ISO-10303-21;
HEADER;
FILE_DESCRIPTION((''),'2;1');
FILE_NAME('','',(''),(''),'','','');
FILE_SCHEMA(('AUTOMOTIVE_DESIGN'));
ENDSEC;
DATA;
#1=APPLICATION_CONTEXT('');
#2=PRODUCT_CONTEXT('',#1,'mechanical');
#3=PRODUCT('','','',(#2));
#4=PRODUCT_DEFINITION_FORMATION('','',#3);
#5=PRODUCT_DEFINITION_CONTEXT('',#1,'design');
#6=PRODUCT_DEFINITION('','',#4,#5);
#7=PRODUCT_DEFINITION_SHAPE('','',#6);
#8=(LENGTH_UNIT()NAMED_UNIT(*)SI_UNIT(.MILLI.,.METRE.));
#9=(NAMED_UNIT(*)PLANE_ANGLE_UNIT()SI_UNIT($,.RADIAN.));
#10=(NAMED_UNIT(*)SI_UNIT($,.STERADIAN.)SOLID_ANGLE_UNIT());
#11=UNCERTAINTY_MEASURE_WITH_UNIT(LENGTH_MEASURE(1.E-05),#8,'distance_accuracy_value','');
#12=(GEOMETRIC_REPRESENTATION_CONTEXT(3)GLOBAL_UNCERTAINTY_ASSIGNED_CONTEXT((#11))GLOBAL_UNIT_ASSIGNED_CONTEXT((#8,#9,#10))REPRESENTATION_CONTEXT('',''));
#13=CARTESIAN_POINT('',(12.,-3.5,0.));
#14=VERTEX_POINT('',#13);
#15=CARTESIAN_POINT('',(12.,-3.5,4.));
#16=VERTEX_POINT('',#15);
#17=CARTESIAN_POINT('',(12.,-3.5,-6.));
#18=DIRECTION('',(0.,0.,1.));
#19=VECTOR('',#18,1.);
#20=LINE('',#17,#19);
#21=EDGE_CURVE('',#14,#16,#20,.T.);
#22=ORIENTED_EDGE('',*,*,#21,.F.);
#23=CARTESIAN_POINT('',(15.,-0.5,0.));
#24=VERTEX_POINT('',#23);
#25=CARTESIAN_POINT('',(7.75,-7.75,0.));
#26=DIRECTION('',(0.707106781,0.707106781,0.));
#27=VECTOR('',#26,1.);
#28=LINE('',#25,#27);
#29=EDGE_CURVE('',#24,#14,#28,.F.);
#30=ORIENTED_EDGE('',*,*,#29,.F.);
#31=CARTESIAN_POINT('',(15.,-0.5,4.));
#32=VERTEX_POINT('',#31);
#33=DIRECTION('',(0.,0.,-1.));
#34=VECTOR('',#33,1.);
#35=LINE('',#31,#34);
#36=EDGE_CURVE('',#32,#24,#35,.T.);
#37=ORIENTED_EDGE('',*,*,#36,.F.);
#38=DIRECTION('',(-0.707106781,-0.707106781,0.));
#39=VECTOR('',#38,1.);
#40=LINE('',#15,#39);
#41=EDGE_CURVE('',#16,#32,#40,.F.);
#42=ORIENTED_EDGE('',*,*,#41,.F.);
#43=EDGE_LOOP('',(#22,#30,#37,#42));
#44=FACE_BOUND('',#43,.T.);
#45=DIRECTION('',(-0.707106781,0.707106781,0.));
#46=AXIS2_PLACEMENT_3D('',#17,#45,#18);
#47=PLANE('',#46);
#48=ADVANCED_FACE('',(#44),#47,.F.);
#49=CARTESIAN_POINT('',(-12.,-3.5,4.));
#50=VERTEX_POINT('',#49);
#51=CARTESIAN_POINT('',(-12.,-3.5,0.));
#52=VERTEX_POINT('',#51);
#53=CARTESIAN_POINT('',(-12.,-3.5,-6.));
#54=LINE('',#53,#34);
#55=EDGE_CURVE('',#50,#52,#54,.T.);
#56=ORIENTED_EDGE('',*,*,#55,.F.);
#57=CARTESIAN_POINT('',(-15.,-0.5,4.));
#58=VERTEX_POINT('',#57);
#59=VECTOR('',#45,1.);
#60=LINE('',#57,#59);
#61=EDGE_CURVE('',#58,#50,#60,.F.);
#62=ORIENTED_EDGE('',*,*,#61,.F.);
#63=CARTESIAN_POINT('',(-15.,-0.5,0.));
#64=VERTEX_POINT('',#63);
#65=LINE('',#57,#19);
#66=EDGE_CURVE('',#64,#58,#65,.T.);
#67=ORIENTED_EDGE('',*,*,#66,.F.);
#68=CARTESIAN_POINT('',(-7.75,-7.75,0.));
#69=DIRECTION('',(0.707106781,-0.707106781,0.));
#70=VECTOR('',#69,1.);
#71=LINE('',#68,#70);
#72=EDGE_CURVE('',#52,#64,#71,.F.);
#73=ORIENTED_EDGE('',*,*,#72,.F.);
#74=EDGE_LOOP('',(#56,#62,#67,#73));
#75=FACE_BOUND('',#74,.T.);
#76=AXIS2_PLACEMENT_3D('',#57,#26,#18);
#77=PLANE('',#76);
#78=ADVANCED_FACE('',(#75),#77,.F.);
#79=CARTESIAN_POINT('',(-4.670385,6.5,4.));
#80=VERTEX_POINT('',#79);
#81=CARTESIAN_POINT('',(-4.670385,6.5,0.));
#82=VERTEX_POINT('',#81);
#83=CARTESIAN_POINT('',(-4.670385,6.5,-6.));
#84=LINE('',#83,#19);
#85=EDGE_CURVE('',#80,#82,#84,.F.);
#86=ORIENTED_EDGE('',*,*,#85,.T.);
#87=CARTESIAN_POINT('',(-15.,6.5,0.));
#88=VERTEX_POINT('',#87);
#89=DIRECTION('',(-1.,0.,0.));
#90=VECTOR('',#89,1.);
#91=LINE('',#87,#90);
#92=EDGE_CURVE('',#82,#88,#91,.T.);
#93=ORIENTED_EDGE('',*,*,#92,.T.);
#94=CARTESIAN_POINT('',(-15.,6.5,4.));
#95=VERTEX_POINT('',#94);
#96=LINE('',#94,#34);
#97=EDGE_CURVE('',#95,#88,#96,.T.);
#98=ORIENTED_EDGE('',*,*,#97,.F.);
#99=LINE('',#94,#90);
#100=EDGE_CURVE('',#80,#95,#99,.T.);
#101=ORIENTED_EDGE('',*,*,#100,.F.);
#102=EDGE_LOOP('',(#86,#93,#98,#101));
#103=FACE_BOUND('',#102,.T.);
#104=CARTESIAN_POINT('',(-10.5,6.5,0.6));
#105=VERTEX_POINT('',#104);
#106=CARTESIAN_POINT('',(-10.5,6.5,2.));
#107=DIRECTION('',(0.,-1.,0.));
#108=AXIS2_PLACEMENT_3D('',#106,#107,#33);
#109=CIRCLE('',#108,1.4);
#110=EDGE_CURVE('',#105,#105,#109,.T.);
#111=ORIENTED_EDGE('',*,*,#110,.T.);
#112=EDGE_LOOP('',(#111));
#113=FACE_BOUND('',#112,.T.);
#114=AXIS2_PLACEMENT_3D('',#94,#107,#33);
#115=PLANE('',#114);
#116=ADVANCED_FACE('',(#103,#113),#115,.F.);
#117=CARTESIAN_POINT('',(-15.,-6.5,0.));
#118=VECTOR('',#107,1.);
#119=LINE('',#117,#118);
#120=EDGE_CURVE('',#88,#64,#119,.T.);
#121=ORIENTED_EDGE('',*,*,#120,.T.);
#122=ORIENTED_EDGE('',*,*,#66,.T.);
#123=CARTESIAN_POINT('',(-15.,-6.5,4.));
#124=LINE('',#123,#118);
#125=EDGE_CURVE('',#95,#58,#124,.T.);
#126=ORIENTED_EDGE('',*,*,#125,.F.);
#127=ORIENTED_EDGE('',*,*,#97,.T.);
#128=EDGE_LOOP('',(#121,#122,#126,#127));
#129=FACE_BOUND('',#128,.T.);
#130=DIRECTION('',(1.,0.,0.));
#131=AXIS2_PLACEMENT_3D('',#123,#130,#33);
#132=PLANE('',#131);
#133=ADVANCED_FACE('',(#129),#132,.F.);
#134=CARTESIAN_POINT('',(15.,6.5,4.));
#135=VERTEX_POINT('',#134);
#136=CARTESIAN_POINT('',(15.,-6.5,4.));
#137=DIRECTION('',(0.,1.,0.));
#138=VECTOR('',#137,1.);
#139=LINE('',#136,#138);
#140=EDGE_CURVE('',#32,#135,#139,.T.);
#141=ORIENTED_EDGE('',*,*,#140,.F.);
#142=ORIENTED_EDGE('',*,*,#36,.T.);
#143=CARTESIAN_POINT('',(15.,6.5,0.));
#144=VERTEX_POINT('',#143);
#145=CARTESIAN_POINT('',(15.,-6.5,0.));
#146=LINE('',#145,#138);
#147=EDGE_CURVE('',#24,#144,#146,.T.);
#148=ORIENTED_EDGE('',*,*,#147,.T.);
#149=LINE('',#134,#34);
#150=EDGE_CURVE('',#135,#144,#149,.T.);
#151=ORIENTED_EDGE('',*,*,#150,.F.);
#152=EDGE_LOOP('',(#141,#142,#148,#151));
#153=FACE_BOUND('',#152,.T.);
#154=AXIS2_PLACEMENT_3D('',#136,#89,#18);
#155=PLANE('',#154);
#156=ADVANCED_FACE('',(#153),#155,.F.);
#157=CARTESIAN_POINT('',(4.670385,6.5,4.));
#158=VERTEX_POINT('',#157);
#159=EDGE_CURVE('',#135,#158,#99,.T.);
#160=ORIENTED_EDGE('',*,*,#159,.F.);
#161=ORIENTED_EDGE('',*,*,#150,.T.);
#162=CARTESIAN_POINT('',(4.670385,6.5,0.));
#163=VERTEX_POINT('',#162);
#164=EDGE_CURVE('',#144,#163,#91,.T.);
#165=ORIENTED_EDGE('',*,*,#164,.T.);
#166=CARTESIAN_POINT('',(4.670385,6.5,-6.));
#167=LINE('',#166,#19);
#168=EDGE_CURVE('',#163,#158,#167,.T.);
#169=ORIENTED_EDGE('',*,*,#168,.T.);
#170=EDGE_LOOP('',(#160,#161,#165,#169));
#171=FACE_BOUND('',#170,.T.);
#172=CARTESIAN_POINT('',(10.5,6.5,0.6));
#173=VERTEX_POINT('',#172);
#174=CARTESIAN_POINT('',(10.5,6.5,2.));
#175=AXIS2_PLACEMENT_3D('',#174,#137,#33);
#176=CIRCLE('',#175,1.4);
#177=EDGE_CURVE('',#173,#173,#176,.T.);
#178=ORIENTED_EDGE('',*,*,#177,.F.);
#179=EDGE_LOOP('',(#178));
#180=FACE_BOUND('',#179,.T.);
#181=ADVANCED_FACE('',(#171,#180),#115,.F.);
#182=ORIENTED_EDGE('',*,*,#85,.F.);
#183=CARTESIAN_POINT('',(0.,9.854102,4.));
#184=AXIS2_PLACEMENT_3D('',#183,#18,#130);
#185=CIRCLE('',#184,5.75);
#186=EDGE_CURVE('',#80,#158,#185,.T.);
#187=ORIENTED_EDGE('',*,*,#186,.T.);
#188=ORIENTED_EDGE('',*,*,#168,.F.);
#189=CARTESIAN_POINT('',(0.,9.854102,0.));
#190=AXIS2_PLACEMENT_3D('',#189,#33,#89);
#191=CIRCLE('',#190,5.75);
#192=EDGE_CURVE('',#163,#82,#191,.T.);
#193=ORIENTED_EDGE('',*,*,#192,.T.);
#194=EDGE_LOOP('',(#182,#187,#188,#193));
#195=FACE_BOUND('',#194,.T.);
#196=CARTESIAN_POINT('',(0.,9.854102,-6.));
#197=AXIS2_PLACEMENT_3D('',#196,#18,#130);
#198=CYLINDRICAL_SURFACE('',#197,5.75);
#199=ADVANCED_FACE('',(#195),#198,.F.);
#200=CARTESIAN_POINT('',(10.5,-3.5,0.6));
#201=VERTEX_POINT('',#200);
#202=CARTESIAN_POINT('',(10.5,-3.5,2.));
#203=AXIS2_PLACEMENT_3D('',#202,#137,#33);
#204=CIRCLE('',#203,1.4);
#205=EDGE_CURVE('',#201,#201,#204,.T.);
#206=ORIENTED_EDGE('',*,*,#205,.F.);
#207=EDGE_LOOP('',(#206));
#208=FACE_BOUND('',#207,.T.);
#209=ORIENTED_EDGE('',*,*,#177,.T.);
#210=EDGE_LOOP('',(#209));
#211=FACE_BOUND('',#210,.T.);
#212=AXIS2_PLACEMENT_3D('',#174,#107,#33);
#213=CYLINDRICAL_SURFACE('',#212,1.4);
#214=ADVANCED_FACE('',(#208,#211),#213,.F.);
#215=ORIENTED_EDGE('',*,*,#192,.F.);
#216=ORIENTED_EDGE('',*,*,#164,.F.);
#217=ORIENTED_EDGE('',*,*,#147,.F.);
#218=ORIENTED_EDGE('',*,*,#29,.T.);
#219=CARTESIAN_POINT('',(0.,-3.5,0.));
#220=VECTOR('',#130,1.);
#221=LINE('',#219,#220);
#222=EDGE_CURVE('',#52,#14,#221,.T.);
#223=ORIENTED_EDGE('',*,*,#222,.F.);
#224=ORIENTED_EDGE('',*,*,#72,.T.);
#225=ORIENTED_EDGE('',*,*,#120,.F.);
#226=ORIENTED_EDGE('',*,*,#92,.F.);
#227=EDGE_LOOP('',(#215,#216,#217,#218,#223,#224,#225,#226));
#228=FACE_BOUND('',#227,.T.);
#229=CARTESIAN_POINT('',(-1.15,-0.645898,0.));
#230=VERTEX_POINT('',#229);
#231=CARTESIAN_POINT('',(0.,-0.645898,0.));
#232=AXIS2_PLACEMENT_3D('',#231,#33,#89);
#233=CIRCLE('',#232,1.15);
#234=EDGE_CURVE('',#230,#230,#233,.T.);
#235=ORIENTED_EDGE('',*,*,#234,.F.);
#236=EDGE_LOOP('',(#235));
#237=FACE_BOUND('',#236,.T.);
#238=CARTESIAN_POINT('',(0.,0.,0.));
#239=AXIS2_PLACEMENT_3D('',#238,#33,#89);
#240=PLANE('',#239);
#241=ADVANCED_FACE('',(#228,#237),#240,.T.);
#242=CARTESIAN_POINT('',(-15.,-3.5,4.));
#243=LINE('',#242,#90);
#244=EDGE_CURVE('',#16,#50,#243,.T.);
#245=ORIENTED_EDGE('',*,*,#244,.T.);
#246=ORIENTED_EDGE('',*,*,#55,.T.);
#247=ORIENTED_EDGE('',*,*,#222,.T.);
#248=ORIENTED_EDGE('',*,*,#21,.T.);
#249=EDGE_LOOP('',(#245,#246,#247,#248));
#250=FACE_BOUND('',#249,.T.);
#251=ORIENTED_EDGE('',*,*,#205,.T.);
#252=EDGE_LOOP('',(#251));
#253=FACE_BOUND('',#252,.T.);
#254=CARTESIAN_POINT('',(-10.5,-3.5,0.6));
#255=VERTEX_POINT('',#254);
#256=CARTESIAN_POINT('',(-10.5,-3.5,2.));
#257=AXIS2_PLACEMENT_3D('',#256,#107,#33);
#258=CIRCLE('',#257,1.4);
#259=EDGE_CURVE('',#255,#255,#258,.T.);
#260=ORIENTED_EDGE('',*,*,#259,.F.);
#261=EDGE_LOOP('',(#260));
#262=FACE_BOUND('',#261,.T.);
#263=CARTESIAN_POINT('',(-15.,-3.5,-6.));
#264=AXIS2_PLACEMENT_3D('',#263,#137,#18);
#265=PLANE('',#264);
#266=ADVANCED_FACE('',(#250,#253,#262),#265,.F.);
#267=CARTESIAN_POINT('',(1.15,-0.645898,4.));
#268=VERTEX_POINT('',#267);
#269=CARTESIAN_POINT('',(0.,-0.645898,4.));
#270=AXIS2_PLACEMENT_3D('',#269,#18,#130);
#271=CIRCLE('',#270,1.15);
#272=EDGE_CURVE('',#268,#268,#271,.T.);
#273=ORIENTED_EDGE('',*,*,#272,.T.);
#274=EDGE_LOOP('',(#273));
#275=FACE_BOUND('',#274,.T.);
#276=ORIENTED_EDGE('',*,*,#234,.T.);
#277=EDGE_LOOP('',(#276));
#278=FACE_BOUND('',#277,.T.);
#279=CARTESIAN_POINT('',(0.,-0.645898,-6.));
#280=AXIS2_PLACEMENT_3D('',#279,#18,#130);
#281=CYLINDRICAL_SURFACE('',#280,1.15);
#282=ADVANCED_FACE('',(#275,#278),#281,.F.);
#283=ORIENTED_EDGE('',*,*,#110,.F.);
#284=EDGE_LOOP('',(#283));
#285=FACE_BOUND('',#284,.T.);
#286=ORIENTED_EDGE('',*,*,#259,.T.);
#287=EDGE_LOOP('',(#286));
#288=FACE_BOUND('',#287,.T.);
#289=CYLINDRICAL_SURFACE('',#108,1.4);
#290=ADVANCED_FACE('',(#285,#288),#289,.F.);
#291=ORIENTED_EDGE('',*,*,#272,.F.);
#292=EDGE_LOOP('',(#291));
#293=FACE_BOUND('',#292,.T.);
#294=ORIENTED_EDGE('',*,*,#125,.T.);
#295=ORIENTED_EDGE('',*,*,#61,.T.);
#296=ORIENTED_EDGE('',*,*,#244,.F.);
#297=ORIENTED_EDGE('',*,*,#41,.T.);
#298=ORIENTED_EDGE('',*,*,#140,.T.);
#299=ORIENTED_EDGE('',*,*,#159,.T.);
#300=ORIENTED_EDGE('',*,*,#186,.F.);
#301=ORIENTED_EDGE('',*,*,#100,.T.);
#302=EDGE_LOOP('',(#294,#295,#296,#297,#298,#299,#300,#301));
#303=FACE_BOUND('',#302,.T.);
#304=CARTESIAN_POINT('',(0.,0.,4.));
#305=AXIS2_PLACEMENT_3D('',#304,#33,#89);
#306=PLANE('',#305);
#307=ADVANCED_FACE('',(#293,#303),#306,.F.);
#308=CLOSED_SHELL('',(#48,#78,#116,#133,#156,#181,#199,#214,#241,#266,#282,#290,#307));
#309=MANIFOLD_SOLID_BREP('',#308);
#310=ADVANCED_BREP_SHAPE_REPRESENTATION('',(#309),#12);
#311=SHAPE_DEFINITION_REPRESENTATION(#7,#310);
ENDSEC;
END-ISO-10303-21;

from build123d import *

# Parameters (mm, degrees)
SKETCH_1_W          = 30
SKETCH_1_H          = 13
EXTRUDE_1_DEPTH     = 4
SKETCH_3_R          = 5.75
CUT_EXTRUDE_2_DEPTH = 10
SKETCH_7_W          = 30
SKETCH_7_H          = 3
CUT_EXTRUDE_3_DEPTH = 10
CHAMFER_1_SIZE      = 3
SKETCH_8_R          = 1.4
CUT_EXTRUDE_4_DEPTH = 19.466185313
SKETCH_5_R          = 1.15
CUT_EXTRUDE_5_DEPTH = 10


with BuildPart() as part:
    # 草图1 → 凸台-拉伸1 (new body)
    with BuildSketch(Plane.XY):
        Rectangle(SKETCH_1_W, SKETCH_1_H)
    extrude(amount=EXTRUDE_1_DEPTH)

    # 草图3 → 切除-拉伸2 (cut)
    with BuildSketch(Plane.XY.offset(4)):
        with Locations((0, 9.854101966)):
            Circle(SKETCH_3_R)
    extrude(amount=-CUT_EXTRUDE_2_DEPTH, mode=Mode.SUBTRACT)

    # 草图7 → 切除-拉伸3 (cut)
    with BuildSketch(Plane.XY.offset(4)):
        with Locations((0, -5)):
            Rectangle(SKETCH_7_W, SKETCH_7_H)
    extrude(amount=-CUT_EXTRUDE_3_DEPTH, mode=Mode.SUBTRACT)

    # 倒角1
    chamfer_1_edges = [part.edges().sort_by_distance(p)[0] for p in [
        (-15, -3.5, 2),
        (15, -3.5, 2),
    ]]
    chamfer(chamfer_1_edges, length=CHAMFER_1_SIZE)

    # 草图8 → 切除-拉伸4 (cut, through all)
    with BuildSketch(Plane.XZ.offset(3.5)):
        with Locations(Location((-10.5, 2, 0), (0, 0, 270))):
            Circle(SKETCH_8_R)
    cut_extrude_4 = extrude(amount=-CUT_EXTRUDE_4_DEPTH, mode=Mode.SUBTRACT)

    # 镜向1: 切除-拉伸4 across plane
    add(cut_extrude_4.mirror(Plane(origin=(0, 0, 0), x_dir=(0, 0, 1), z_dir=(1, 0, 0))), mode=Mode.SUBTRACT)

    # 草图5 → 切除-拉伸5 (cut)
    with BuildSketch(Plane.XY.offset(4)):
        with Locations((0, -0.645898034)):
            Circle(SKETCH_5_R)
    extrude(amount=-CUT_EXTRUDE_5_DEPTH, mode=Mode.SUBTRACT)


solid = part.part
